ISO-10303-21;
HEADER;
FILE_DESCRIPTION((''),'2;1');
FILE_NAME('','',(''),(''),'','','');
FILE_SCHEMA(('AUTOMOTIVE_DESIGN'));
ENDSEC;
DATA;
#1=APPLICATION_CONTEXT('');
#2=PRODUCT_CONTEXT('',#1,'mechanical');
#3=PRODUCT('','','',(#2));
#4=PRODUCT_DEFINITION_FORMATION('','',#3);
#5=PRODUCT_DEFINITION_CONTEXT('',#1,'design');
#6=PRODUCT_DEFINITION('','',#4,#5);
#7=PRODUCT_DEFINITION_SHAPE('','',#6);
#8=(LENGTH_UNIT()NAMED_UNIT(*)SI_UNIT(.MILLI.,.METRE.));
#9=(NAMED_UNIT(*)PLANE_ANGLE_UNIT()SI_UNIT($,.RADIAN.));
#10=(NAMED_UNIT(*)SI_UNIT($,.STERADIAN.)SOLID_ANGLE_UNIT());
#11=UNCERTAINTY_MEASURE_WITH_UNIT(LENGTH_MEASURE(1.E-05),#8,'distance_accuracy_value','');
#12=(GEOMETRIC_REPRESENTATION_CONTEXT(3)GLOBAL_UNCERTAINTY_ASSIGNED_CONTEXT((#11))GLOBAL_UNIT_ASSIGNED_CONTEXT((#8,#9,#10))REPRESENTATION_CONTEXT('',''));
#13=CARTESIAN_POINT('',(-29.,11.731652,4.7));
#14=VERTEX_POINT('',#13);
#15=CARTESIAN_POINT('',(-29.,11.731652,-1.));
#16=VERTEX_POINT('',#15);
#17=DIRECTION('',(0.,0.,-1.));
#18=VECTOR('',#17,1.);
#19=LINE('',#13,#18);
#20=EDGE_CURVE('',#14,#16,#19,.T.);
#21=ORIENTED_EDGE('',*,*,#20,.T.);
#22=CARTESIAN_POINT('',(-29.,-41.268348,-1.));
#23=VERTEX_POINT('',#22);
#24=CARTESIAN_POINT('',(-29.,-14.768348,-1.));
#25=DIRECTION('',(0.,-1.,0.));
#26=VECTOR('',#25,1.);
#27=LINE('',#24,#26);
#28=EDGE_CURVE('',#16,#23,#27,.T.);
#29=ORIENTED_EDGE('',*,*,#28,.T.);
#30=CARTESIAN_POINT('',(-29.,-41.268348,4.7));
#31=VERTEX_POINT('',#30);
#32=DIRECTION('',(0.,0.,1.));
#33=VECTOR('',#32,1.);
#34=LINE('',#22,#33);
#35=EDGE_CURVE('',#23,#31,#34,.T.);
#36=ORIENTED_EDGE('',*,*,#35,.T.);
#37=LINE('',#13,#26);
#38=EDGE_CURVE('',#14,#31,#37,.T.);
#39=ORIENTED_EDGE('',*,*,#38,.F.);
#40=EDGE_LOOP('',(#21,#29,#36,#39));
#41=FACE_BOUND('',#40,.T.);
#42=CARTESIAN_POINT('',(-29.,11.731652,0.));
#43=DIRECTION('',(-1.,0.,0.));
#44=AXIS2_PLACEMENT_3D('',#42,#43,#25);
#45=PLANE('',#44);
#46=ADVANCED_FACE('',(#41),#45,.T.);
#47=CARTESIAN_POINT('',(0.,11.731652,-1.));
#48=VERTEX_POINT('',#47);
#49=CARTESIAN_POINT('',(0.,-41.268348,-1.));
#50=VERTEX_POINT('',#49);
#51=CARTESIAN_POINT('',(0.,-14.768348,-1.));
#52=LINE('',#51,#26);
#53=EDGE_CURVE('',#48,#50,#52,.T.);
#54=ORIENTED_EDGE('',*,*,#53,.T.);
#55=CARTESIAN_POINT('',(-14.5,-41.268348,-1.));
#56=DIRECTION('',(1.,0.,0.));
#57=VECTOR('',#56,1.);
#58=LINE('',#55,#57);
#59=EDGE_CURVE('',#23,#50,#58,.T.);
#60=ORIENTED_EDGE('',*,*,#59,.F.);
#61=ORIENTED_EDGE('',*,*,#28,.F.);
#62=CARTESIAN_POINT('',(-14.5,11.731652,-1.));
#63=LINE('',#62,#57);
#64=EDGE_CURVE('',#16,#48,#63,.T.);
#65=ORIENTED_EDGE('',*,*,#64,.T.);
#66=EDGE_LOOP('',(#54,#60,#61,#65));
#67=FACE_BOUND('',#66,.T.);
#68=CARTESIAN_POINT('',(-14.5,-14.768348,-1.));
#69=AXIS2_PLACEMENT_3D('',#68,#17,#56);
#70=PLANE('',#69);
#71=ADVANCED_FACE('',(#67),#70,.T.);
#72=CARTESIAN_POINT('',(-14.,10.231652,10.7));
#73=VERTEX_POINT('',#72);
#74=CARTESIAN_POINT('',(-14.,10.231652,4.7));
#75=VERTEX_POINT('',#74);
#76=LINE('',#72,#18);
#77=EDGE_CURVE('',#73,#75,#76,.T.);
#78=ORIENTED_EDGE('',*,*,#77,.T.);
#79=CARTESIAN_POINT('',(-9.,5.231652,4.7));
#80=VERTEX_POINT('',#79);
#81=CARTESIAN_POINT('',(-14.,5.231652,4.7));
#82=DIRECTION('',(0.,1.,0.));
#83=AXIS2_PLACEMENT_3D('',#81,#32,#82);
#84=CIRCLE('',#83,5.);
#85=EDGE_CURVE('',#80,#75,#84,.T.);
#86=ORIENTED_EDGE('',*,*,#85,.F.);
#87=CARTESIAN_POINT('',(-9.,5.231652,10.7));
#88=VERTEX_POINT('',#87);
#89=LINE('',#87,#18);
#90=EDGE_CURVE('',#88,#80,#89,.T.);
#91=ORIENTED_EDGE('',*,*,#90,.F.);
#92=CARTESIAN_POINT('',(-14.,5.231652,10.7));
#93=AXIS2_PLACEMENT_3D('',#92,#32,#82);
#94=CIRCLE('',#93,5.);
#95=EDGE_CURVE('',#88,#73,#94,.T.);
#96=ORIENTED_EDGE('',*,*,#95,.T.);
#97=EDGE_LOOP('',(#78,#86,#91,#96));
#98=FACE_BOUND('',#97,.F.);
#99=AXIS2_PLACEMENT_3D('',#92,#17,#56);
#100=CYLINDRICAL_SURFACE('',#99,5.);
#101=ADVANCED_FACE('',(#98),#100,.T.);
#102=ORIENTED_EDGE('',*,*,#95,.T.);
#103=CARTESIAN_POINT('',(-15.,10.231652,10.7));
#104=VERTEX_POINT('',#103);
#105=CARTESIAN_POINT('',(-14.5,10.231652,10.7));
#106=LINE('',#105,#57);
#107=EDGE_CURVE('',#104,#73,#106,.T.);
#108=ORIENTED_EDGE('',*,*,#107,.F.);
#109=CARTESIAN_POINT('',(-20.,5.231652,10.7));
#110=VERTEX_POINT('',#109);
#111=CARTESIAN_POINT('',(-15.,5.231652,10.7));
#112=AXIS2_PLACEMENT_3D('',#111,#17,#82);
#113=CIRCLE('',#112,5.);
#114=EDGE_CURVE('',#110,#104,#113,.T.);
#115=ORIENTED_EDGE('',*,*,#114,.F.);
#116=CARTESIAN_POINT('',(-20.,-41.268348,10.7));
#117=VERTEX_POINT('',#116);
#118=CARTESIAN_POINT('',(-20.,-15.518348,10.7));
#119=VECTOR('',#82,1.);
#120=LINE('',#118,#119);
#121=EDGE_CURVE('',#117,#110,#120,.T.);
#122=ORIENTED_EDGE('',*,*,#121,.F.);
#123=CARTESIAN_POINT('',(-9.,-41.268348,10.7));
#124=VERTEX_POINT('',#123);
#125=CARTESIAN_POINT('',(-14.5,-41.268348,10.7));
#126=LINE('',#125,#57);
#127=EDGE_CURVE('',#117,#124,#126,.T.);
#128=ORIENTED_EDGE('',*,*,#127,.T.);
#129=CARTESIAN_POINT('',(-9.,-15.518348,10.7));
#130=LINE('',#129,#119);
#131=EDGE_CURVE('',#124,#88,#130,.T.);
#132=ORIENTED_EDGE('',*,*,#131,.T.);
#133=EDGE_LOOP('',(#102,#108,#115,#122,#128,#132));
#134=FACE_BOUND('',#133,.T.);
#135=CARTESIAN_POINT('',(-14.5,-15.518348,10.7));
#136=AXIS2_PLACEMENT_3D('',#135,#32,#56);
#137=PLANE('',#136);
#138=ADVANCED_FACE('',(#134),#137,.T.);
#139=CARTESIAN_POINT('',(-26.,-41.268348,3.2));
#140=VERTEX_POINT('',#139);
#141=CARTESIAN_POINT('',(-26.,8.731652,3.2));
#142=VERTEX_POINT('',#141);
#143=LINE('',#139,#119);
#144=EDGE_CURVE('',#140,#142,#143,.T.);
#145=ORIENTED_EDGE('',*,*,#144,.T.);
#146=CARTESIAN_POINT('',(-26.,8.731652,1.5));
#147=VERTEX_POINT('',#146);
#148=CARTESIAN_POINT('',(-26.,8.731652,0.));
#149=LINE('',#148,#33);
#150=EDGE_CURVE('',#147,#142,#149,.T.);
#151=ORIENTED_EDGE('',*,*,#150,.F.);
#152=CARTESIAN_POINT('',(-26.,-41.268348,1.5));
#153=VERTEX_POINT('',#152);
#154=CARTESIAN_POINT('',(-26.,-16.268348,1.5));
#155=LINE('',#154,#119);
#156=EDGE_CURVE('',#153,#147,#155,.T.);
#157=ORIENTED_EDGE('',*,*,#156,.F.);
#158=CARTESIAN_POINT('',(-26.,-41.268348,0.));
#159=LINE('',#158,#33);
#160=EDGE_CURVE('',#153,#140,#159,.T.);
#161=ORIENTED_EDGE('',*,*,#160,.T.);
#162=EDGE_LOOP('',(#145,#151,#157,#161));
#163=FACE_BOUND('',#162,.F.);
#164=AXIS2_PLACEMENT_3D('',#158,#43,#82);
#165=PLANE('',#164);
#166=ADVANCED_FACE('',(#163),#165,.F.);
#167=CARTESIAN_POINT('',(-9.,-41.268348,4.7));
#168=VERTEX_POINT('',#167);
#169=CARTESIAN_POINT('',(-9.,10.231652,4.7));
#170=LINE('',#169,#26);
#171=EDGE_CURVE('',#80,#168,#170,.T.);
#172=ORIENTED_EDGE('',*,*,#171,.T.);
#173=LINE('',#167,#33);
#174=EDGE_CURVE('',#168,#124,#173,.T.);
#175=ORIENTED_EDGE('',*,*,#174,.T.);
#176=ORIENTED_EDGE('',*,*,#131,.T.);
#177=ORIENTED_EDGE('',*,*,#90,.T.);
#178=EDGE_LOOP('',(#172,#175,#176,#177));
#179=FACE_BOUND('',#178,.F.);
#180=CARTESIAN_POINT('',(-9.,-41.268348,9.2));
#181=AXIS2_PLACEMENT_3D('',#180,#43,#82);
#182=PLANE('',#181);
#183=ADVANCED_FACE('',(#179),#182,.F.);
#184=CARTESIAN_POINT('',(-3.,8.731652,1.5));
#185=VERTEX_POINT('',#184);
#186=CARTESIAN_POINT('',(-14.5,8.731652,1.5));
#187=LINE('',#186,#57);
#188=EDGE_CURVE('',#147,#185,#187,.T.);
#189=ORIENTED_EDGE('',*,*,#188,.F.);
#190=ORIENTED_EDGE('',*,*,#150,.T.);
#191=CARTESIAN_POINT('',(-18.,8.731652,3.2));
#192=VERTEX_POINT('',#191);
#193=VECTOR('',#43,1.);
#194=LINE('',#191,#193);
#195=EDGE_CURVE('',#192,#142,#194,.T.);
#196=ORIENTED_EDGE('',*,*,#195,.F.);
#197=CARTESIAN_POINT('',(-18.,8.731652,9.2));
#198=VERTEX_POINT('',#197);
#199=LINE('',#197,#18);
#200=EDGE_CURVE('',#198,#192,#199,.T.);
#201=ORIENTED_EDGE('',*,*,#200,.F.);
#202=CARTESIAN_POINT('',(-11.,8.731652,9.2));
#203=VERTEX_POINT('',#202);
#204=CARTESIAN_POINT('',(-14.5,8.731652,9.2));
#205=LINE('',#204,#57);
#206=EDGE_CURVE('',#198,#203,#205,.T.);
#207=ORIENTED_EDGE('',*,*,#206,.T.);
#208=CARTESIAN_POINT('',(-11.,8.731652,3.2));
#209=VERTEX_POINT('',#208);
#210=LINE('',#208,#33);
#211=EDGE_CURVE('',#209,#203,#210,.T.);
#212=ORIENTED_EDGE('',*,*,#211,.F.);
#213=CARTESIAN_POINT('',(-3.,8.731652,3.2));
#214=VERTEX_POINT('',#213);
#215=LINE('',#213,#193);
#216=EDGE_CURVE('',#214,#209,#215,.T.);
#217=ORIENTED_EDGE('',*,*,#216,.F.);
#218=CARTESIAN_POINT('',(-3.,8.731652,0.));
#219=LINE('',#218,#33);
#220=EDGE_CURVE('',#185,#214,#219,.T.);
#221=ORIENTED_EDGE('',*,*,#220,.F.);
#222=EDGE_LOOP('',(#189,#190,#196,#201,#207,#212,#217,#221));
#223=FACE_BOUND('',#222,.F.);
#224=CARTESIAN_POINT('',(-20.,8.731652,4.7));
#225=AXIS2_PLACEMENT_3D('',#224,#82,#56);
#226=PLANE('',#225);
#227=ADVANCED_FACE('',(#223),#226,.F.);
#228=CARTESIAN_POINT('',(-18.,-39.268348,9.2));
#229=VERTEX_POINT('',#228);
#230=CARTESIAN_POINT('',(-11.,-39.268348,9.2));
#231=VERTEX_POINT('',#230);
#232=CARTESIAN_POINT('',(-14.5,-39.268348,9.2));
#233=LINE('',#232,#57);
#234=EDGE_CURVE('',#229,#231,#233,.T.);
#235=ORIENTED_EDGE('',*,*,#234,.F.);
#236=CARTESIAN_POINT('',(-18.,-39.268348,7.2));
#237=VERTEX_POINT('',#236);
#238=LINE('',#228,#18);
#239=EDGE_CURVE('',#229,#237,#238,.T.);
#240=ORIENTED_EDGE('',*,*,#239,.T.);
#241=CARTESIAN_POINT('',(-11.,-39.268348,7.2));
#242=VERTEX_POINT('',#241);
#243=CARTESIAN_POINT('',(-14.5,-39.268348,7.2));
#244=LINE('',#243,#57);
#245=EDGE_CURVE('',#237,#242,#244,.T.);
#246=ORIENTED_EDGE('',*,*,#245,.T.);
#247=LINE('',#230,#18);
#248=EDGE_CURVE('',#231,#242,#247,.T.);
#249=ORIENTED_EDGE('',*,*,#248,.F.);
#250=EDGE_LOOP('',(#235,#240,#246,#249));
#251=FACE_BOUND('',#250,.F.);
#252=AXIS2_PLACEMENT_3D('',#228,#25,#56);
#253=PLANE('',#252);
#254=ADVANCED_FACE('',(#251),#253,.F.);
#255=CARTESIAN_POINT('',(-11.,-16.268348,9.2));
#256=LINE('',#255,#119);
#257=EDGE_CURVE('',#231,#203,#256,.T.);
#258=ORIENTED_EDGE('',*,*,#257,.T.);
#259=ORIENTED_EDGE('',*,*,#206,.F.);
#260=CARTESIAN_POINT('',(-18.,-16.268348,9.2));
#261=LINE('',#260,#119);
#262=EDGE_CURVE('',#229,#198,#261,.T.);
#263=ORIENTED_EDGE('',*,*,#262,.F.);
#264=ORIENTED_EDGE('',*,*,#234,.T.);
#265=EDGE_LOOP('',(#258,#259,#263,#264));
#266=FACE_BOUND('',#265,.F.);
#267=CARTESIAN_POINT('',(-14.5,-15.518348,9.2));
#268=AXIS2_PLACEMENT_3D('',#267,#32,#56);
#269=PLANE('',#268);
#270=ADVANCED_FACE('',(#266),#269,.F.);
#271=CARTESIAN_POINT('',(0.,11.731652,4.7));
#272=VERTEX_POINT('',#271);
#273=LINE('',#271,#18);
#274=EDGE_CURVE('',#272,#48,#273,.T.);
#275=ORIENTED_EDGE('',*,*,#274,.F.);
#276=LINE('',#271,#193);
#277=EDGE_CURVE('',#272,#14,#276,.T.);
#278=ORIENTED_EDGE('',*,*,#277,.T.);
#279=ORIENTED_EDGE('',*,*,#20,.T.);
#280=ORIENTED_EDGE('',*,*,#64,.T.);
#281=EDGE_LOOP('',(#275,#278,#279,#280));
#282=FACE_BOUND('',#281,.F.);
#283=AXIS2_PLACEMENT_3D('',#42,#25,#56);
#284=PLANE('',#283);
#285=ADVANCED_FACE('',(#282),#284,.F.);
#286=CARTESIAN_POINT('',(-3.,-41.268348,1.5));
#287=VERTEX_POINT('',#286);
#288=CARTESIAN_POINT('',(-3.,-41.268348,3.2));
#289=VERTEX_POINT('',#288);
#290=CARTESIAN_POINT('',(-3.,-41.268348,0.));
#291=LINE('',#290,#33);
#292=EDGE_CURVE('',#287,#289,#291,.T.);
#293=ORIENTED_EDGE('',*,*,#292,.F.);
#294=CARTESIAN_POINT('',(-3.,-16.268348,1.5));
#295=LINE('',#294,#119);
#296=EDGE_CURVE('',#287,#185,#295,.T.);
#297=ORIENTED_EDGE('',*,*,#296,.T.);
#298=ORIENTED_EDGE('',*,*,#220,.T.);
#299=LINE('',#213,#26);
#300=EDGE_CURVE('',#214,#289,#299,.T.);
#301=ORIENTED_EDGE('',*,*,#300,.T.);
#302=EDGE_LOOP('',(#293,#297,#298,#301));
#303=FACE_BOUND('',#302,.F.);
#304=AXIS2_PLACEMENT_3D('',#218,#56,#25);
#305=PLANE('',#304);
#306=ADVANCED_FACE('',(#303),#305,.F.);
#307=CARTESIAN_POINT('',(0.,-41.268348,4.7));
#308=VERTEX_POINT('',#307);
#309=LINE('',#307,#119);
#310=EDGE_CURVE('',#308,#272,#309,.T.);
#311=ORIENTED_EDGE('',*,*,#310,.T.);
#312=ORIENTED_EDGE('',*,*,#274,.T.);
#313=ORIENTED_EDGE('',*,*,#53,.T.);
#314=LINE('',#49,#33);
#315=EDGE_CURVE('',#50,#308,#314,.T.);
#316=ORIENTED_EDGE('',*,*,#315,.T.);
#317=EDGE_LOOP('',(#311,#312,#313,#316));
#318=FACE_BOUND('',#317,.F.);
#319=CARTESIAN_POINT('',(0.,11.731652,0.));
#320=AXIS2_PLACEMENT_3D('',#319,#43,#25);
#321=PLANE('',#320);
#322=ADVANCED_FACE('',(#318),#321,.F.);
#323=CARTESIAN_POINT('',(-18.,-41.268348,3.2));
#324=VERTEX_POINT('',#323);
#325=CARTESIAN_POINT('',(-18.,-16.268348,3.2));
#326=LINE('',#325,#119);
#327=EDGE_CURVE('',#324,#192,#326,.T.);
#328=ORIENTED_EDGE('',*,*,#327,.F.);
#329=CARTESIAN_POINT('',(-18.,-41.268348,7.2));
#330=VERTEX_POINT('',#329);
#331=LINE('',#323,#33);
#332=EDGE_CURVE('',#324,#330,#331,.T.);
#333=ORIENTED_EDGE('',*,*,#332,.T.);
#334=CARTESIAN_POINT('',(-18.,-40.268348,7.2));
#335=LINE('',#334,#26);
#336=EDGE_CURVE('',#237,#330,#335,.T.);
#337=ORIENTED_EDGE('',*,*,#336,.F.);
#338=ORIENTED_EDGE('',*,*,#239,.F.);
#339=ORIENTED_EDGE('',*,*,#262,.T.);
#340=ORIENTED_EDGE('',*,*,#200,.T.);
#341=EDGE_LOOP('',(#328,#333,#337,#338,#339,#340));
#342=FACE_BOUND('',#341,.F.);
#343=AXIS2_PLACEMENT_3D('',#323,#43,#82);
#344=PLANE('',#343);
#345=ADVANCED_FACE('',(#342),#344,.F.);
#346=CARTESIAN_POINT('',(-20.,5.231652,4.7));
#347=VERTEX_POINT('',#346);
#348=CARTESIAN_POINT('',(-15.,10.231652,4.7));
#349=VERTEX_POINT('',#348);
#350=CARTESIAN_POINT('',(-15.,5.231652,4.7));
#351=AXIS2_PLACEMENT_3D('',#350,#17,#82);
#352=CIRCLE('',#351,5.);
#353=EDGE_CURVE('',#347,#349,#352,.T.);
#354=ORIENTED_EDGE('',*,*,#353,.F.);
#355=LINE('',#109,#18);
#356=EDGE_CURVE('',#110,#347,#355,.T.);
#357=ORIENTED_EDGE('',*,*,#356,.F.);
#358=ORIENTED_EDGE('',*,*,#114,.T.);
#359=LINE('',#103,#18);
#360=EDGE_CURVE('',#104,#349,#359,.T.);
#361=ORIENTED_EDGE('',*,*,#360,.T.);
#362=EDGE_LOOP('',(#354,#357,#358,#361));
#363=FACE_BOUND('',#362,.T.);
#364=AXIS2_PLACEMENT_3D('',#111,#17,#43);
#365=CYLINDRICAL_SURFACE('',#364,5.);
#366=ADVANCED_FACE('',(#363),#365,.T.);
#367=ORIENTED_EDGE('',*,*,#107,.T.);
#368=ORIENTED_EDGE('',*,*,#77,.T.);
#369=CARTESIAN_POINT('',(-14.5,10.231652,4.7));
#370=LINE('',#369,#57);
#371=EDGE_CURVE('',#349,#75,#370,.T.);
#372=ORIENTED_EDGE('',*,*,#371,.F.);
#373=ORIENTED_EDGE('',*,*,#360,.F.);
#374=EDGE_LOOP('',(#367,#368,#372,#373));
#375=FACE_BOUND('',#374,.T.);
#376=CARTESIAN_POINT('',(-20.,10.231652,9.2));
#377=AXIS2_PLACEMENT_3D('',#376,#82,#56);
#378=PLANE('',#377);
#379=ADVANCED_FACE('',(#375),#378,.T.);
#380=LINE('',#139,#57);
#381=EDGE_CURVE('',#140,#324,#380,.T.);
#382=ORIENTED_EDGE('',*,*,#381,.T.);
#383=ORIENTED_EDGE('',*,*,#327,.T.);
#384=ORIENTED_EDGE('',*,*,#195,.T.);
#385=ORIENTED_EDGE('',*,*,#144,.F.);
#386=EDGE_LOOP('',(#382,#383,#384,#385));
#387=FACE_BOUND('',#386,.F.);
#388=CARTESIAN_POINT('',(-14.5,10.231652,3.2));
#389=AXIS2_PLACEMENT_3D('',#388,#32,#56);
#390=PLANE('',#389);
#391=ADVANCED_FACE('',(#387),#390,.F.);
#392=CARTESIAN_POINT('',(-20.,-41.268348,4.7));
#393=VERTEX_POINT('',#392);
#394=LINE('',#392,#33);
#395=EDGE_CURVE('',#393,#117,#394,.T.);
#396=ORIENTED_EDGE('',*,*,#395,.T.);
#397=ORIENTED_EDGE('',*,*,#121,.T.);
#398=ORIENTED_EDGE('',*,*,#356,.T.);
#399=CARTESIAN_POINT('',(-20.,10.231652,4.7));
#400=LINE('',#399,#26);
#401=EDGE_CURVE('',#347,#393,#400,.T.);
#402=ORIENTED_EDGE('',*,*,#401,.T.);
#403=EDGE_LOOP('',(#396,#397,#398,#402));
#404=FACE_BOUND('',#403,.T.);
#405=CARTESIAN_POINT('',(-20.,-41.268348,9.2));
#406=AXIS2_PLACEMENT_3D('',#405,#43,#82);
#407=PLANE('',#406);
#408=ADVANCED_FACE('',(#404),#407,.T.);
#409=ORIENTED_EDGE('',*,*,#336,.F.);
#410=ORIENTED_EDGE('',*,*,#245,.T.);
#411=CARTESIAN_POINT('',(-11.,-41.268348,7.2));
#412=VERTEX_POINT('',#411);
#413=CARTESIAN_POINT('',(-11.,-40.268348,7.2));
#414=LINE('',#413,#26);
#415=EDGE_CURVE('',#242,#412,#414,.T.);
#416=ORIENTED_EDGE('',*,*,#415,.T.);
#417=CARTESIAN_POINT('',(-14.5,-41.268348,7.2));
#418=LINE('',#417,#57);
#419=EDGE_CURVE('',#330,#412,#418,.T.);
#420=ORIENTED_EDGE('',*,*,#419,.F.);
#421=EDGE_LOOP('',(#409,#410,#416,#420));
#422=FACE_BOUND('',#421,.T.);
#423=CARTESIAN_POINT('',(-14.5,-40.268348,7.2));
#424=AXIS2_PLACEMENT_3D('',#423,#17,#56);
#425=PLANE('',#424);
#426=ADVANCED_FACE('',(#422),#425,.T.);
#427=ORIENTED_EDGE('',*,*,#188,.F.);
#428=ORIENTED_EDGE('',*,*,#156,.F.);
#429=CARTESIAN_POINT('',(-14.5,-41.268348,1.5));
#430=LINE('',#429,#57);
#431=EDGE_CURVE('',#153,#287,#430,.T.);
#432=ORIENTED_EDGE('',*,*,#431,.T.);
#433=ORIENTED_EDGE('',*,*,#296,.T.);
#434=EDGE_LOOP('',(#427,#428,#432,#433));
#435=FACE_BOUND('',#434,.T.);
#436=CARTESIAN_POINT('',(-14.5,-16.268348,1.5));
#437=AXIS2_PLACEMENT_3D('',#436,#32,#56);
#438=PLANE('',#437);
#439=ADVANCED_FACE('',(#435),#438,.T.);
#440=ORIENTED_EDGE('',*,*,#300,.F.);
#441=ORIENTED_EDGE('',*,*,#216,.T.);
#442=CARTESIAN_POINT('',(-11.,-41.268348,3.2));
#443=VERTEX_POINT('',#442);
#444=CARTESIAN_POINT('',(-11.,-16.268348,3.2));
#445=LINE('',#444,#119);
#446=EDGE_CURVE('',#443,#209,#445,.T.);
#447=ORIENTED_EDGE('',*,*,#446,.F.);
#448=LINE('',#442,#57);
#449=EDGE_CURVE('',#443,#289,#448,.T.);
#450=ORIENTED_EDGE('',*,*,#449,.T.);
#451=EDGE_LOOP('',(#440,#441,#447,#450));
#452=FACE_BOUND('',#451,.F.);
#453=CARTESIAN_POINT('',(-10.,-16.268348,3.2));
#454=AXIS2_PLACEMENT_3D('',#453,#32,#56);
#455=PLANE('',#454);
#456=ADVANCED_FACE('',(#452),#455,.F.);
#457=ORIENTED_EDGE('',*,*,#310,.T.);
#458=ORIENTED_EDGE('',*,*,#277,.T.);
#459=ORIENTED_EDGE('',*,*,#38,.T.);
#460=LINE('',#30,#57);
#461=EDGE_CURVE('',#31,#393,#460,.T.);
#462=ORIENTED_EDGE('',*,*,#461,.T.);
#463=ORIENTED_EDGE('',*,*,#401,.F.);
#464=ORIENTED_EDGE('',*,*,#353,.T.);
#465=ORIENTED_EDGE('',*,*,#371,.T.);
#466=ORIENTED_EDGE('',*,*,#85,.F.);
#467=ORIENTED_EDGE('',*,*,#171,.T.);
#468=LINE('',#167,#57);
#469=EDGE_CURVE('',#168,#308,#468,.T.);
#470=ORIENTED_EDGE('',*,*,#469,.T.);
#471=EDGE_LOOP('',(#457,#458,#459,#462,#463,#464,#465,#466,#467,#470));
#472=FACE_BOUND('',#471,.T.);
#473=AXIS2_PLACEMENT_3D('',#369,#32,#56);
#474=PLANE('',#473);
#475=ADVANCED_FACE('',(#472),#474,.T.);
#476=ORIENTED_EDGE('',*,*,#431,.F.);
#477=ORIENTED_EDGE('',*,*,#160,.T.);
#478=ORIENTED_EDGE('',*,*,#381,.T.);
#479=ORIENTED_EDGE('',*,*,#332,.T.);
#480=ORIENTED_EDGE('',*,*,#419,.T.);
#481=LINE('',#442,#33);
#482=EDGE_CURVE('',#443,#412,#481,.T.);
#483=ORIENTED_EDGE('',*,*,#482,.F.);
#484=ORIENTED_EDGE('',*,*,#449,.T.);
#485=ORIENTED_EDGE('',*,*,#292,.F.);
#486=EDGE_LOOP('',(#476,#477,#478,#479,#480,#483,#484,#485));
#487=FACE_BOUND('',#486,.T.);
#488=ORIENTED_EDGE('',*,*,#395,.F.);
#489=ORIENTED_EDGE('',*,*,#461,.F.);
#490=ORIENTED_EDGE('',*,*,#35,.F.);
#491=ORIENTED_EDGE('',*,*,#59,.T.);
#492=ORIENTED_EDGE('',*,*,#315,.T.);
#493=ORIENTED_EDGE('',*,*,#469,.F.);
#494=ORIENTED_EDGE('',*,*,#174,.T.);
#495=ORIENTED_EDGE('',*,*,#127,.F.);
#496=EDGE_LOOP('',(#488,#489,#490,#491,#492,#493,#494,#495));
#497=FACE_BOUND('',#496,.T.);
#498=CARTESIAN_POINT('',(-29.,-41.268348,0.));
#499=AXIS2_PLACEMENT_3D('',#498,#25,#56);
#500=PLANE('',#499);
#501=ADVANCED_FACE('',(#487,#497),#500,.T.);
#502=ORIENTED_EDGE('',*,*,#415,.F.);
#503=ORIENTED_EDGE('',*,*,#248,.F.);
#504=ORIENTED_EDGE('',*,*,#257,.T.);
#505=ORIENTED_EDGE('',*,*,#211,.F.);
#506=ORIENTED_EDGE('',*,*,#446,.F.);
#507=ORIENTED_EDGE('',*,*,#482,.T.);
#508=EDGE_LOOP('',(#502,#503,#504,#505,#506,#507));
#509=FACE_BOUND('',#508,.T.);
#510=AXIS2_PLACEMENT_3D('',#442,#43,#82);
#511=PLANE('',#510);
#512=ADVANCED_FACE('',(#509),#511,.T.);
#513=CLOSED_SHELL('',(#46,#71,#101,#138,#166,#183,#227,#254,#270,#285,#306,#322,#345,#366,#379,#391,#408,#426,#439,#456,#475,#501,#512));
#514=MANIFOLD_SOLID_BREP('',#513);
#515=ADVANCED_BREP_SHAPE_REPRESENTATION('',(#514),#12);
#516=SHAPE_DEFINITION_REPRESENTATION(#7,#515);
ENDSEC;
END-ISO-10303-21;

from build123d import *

# Parameters (mm, degrees)
F0_W      = 23
F0_H      = 50
F1_DEPTH  = 1.5
F2_DEPTH  = 3.2
F3_W      = 7
F3_H      = 3
F3_W_2    = 6
F3_H_2    = 50
F4_DEPTH  = 1.5
F3_W_3    = 2
F5_DEPTH  = 6
F6_W      = 11
F6_H      = 1.5
F7_DEPTH  = 4.5
F8_W      = 11
F8_H      = 51.5
F9_DEPTH  = 1.5
F10_R     = 5
F11_W     = 29
F11_H     = 53
F12_DEPTH = 1
F13_W     = 7
F13_H     = 2
F14_DEPTH = 2


with BuildPart() as f1:
    # F0 (on Top) → F1 (new body)
    with BuildSketch(Plane.XY):
        with Locations((-14.5, -16.2683480976)):
            Rectangle(F0_W, F0_H)
    extrude(amount=F1_DEPTH)

    # F0 (on Top) → F2 (join)
    with BuildSketch(Plane.XY):
        Polygon((-26, -41.2683480976), (-26, 8.7316519024), (-3, 8.7316519024), (-3, -41.2683480976), (0, -41.2683480976), (0, 11.7316519024), (-29, 11.7316519024), (-29, -41.2683480976), align=None)
    extrude(amount=F2_DEPTH)

    # F3 (on face) → F4 (join)
    with BuildSketch(Plane.XY.offset(3.2)):
        with Locations((-14.5, 10.2316519024)):
            Rectangle(F3_W, F3_H)
        with Locations((-23, -16.2683480976)):
            Rectangle(F3_W_2, F3_H_2)
        with Locations((-6, -16.2683480976)):
            Rectangle(F3_W_2, F3_H_2)
        Polygon((-18, 11.7316519024), (-29, 11.7316519024), (-29, -41.2683480976), (-26, -41.2683480976), (-26, 8.7316519024), (-20, 8.7316519024), (-18, 8.7316519024), align=None)
        Polygon((0, 11.7316519024), (-11, 11.7316519024), (-11, 8.7316519024), (-9, 8.7316519024), (-3, 8.7316519024), (-3, -41.2683480976), (0, -41.2683480976), align=None)
    extrude(amount=F4_DEPTH)

    # F3 (on face) → F5 (join)
    with BuildSketch(Plane.XY.offset(3.2)):
        with Locations((-10, -16.2683480976)):
            Rectangle(F3_W_3, F3_H_2)
        with Locations((-19, -16.2683480976)):
            Rectangle(F3_W_3, F3_H_2)
    extrude(amount=F5_DEPTH)

    # F6 (on face) → F7 (join)
    with BuildSketch(Plane.XY.offset(4.7)):
        with Locations((-14.5, 9.4816519024)):
            Rectangle(F6_W, F6_H)
    extrude(amount=F7_DEPTH)

    # F8 (on face) → F9 (join)
    with BuildSketch(Plane.XY.offset(9.2)):
        with Locations((-14.5, -15.5183480976)):
            Rectangle(F8_W, F8_H)
    extrude(amount=F9_DEPTH)

    # F10
    f10_edges = [f1.edges().sort_by_distance(p)[0] for p in [
        (-20, 10.231652, 7.7),
        (-9, 10.231652, 7.7),
    ]]
    fillet(f10_edges, radius=F10_R)

    # F11 (on face) → F12 (join)
    with BuildSketch(Plane(origin=(0, 0, 0), x_dir=(1, 0, 0), z_dir=(0, 0, -1))):
        with Locations((-14.5, 14.7683480976)):
            Rectangle(F11_W, F11_H)
    extrude(amount=F12_DEPTH)

    # F13 (on face) → F14 (join)
    with BuildSketch(Plane(origin=(0, 0, 9.2), x_dir=(1, 0, 0), z_dir=(0, 0, -1))):
        with Locations((-14.5, 40.2683480976)):
            Rectangle(F13_W, F13_H)
    extrude(amount=F14_DEPTH)


solid = f1.part
